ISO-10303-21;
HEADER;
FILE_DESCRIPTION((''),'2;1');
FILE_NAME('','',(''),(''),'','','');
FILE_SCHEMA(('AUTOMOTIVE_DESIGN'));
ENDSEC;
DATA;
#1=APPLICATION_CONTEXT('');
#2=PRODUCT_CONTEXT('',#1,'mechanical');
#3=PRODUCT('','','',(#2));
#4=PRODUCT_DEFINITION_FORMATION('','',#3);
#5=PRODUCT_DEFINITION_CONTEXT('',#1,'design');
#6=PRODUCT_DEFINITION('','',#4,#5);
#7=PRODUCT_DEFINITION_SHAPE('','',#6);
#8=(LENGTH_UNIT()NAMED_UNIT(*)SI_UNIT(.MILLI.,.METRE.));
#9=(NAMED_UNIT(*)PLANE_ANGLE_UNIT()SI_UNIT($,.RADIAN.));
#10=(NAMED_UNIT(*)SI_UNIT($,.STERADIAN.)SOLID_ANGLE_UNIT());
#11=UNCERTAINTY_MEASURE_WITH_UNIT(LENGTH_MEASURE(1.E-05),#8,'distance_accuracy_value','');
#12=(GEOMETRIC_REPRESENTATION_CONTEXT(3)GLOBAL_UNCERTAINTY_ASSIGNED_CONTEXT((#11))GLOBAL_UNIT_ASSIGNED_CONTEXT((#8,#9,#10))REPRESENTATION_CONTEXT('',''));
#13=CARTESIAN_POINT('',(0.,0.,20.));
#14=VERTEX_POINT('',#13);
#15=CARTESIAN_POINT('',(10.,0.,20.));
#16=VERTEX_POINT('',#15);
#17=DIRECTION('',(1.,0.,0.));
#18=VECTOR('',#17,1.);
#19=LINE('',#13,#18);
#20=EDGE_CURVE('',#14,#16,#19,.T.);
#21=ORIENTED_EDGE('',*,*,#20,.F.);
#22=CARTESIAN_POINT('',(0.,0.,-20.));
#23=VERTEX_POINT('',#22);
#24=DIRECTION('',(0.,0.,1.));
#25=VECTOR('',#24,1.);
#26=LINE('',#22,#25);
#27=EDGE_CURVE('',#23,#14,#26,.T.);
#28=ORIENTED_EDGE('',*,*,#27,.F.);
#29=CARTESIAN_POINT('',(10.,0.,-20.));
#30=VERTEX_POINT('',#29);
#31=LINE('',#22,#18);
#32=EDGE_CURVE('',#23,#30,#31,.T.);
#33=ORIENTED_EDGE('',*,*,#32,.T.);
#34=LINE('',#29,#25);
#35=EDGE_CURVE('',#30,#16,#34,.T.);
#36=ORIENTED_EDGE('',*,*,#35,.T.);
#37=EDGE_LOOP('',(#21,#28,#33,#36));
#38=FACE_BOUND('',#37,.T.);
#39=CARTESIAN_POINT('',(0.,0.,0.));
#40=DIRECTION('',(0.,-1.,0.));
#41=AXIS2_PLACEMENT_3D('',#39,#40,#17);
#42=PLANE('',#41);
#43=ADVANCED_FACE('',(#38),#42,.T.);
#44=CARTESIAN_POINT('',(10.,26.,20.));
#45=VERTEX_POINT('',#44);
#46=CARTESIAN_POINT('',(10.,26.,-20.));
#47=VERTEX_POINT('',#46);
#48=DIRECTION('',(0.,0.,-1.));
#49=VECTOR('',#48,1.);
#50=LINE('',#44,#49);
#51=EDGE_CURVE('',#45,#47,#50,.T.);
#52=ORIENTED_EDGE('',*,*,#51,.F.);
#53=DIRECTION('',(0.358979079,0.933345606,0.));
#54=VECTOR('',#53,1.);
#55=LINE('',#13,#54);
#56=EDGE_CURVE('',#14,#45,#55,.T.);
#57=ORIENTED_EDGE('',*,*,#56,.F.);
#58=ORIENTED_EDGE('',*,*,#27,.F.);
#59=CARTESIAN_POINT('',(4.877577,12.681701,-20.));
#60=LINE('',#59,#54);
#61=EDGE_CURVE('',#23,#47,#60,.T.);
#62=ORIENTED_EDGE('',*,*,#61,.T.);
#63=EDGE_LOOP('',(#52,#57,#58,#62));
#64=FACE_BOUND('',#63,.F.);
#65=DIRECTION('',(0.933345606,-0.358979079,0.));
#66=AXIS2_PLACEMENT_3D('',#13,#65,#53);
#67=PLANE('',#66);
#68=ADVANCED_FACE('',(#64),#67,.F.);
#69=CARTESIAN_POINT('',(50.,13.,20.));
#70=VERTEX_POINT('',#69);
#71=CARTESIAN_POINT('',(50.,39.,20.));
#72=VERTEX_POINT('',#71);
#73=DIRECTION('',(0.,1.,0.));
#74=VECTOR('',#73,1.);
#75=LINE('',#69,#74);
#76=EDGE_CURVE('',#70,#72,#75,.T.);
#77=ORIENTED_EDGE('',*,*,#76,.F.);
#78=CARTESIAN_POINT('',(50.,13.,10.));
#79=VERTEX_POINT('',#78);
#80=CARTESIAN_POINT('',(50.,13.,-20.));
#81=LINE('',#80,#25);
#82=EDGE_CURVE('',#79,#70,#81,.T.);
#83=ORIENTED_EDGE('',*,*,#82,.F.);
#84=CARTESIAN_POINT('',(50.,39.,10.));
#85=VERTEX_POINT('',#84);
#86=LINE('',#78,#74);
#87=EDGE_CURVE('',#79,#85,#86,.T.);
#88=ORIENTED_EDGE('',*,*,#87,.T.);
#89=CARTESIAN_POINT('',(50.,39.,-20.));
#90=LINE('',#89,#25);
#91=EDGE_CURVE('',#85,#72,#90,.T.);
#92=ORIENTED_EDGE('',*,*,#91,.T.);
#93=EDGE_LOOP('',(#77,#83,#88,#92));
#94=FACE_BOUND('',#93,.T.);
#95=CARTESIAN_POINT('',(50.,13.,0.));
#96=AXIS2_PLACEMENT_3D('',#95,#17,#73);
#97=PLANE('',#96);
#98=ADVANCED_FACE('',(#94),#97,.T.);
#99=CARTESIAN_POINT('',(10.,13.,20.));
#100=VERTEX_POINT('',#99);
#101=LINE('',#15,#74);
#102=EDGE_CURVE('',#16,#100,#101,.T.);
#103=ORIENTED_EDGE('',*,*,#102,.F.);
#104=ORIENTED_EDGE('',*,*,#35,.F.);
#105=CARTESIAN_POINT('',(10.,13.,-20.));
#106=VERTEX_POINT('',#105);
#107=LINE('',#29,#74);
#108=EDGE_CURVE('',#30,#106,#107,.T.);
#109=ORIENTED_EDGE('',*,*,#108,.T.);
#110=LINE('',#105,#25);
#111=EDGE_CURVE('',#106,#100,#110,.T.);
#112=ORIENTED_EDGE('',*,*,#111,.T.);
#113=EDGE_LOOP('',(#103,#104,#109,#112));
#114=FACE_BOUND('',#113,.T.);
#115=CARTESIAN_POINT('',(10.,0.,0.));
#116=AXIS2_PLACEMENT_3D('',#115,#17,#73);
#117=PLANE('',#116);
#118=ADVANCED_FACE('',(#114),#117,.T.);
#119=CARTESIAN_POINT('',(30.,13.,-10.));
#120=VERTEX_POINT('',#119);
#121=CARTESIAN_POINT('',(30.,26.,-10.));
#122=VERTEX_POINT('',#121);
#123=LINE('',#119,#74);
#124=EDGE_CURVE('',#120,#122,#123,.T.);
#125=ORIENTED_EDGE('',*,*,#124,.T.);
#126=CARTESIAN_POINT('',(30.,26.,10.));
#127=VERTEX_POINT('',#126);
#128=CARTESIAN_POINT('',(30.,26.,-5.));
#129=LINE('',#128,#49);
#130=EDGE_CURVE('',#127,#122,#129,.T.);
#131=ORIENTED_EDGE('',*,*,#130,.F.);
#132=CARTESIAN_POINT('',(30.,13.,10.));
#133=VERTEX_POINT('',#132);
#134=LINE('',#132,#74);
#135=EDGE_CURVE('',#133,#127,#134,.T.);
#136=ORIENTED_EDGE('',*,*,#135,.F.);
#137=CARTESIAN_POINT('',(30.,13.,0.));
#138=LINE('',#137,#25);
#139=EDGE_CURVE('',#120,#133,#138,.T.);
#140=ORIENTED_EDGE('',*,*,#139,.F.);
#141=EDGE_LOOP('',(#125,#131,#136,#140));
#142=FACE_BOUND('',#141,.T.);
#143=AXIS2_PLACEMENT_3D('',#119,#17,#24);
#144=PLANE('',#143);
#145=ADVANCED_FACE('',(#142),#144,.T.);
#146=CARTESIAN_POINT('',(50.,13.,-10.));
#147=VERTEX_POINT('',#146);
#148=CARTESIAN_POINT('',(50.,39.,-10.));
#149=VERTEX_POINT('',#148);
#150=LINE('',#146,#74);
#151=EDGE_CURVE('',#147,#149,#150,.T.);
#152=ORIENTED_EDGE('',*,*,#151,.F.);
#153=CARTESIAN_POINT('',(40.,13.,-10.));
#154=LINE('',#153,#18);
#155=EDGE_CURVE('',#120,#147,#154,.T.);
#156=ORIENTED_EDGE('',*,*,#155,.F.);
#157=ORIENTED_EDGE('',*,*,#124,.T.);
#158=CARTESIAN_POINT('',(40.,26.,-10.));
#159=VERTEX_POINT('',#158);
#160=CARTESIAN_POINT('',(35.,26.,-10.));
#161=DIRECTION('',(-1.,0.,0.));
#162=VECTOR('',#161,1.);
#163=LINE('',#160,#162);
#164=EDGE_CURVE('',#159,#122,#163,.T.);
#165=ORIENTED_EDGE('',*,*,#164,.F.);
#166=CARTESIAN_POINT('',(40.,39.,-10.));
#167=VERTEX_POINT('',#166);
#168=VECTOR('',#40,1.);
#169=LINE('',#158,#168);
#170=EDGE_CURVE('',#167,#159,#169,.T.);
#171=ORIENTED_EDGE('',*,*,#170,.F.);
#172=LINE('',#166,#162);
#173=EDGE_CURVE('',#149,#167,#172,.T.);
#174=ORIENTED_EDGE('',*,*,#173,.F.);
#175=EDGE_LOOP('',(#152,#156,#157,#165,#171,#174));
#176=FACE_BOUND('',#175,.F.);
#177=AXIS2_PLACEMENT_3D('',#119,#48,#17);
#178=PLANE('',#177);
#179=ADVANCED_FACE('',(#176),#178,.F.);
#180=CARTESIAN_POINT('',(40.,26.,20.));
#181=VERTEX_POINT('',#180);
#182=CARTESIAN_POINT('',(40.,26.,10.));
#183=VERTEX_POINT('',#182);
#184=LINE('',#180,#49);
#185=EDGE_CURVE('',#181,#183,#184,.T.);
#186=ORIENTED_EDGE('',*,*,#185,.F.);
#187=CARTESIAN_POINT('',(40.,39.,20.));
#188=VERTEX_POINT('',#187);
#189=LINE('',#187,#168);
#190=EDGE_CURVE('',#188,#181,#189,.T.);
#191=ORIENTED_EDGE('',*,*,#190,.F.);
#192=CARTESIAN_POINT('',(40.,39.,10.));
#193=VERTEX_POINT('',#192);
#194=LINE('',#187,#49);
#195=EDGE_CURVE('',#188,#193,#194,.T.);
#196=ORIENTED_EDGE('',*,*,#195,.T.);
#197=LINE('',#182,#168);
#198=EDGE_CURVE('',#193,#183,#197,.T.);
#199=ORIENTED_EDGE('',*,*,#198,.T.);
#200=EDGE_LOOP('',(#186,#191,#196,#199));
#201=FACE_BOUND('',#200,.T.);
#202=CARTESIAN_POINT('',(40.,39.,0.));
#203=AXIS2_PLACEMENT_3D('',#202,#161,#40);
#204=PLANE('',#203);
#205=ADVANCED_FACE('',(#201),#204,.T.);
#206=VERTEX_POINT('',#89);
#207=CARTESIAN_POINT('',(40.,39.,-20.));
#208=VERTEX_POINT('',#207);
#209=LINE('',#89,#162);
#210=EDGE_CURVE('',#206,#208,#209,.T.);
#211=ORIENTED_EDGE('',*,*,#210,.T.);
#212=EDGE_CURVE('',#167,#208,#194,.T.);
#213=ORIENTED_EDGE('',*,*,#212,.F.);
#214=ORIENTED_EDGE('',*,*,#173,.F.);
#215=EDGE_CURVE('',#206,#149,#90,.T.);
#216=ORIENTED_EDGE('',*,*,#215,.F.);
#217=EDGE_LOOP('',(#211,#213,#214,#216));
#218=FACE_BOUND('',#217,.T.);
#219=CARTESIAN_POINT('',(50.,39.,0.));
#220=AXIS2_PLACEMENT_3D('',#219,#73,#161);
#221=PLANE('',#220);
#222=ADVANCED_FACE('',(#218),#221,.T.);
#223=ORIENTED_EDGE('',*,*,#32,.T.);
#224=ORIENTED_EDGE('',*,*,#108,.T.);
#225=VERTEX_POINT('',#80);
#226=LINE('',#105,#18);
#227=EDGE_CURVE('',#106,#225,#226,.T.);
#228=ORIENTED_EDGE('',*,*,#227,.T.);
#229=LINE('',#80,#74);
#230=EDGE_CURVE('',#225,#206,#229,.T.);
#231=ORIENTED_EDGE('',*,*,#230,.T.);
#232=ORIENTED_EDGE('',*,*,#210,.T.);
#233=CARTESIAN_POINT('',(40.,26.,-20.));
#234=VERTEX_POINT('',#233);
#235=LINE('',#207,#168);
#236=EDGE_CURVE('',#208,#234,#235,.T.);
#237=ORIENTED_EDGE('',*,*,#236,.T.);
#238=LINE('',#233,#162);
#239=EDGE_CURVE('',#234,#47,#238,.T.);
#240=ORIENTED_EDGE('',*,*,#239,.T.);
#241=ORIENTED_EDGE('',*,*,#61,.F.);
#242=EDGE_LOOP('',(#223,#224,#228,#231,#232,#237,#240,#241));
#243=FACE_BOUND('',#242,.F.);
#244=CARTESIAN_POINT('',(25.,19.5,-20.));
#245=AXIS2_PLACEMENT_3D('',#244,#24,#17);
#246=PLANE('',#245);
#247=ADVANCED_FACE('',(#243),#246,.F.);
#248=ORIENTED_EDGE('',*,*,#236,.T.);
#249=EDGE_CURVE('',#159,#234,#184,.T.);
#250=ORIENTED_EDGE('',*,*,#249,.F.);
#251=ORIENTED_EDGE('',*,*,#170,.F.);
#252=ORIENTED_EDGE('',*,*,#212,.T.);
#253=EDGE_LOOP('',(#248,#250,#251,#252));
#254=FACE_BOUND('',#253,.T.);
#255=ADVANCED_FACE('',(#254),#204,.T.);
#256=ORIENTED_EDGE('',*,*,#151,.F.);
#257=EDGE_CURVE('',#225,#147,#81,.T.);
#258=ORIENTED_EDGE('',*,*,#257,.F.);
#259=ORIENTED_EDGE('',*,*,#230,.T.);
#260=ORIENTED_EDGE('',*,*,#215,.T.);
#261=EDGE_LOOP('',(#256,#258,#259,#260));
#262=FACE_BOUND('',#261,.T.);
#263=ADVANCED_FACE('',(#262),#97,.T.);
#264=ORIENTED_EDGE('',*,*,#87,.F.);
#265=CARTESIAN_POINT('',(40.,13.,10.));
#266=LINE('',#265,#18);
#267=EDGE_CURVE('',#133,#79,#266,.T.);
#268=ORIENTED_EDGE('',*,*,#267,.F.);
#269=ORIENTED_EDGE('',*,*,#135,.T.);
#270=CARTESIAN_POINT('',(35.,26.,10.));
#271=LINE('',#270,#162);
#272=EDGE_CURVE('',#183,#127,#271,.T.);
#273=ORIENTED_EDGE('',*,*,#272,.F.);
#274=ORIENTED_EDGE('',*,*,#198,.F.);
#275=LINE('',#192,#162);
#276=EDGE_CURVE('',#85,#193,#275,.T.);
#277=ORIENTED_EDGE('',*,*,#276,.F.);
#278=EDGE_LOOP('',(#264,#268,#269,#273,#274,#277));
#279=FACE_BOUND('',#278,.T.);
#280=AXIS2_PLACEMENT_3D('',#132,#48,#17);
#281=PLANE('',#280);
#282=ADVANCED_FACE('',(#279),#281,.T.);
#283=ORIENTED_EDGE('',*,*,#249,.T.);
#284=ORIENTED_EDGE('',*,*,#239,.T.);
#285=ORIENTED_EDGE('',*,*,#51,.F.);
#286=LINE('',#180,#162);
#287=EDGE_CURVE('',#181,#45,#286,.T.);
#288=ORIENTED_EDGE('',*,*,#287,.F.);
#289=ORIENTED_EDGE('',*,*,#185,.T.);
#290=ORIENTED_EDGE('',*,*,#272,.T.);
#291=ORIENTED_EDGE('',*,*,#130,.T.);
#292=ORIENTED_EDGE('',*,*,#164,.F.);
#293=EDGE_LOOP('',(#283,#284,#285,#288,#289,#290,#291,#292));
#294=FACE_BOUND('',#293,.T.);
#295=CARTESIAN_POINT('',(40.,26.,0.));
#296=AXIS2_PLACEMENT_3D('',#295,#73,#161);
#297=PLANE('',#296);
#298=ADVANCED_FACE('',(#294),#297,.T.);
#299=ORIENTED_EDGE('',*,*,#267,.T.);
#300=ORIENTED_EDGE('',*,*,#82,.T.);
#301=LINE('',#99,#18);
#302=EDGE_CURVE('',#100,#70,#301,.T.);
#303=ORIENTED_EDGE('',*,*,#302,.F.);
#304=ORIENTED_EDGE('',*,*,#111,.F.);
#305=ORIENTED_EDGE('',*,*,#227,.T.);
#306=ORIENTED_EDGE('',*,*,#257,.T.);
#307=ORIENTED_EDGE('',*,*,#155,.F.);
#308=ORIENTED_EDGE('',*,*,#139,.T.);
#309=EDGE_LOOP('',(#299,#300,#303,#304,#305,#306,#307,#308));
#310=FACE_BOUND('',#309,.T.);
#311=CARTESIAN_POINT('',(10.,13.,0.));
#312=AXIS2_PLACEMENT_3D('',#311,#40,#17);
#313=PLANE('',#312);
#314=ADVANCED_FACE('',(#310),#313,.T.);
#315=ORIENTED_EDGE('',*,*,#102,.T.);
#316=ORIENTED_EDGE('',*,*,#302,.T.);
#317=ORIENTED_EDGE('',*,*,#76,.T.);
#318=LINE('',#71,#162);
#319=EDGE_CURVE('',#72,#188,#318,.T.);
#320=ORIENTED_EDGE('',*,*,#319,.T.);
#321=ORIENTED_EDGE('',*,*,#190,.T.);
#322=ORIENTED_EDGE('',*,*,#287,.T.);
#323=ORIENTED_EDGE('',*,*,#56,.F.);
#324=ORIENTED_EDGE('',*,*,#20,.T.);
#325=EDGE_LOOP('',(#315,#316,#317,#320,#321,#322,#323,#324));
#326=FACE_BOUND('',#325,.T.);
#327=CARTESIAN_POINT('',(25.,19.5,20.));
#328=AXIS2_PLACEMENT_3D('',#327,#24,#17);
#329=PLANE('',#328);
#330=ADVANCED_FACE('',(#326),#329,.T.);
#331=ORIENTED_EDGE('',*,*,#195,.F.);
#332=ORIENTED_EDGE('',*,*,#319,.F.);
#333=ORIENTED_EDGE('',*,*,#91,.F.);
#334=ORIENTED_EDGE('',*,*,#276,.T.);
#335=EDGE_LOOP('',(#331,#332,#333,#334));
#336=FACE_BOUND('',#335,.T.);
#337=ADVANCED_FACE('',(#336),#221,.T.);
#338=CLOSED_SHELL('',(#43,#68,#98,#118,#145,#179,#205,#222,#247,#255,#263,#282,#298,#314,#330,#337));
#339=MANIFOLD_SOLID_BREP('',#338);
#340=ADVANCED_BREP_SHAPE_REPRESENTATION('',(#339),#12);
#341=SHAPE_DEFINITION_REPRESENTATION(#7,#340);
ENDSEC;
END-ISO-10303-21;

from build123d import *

# Parameters (mm, degrees)
F1_DEPTH = 20
F2_W     = 20
F2_H     = 20
F3_DEPTH = 26.001
F5_DEPTH = 40.001


with BuildPart() as f1:
    # F0 (on Top) → F1 (new body, symmetric)
    with BuildSketch(Plane.XY):
        Polygon((0, 26), (0, 0), (10, 0), (10, 13), (50, 13), (50, 39), (40, 39), (40, 26), align=None)
    extrude(amount=F1_DEPTH, both=True)

    # F2 (on face) → F3 (cut, through all)
    with BuildSketch(Plane.XZ.offset(-13)):
        with Locations((40, 0)):
            Rectangle(F2_W, F2_H)
    extrude(amount=-F3_DEPTH, mode=Mode.SUBTRACT)

    # F4 (on face) → F5 (cut, through all)
    with BuildSketch(Plane.XY.offset(20)):
        Polygon((0, 0), (10, 26), (0, 26), align=None)
    extrude(amount=-F5_DEPTH, mode=Mode.SUBTRACT)


solid = f1.part
